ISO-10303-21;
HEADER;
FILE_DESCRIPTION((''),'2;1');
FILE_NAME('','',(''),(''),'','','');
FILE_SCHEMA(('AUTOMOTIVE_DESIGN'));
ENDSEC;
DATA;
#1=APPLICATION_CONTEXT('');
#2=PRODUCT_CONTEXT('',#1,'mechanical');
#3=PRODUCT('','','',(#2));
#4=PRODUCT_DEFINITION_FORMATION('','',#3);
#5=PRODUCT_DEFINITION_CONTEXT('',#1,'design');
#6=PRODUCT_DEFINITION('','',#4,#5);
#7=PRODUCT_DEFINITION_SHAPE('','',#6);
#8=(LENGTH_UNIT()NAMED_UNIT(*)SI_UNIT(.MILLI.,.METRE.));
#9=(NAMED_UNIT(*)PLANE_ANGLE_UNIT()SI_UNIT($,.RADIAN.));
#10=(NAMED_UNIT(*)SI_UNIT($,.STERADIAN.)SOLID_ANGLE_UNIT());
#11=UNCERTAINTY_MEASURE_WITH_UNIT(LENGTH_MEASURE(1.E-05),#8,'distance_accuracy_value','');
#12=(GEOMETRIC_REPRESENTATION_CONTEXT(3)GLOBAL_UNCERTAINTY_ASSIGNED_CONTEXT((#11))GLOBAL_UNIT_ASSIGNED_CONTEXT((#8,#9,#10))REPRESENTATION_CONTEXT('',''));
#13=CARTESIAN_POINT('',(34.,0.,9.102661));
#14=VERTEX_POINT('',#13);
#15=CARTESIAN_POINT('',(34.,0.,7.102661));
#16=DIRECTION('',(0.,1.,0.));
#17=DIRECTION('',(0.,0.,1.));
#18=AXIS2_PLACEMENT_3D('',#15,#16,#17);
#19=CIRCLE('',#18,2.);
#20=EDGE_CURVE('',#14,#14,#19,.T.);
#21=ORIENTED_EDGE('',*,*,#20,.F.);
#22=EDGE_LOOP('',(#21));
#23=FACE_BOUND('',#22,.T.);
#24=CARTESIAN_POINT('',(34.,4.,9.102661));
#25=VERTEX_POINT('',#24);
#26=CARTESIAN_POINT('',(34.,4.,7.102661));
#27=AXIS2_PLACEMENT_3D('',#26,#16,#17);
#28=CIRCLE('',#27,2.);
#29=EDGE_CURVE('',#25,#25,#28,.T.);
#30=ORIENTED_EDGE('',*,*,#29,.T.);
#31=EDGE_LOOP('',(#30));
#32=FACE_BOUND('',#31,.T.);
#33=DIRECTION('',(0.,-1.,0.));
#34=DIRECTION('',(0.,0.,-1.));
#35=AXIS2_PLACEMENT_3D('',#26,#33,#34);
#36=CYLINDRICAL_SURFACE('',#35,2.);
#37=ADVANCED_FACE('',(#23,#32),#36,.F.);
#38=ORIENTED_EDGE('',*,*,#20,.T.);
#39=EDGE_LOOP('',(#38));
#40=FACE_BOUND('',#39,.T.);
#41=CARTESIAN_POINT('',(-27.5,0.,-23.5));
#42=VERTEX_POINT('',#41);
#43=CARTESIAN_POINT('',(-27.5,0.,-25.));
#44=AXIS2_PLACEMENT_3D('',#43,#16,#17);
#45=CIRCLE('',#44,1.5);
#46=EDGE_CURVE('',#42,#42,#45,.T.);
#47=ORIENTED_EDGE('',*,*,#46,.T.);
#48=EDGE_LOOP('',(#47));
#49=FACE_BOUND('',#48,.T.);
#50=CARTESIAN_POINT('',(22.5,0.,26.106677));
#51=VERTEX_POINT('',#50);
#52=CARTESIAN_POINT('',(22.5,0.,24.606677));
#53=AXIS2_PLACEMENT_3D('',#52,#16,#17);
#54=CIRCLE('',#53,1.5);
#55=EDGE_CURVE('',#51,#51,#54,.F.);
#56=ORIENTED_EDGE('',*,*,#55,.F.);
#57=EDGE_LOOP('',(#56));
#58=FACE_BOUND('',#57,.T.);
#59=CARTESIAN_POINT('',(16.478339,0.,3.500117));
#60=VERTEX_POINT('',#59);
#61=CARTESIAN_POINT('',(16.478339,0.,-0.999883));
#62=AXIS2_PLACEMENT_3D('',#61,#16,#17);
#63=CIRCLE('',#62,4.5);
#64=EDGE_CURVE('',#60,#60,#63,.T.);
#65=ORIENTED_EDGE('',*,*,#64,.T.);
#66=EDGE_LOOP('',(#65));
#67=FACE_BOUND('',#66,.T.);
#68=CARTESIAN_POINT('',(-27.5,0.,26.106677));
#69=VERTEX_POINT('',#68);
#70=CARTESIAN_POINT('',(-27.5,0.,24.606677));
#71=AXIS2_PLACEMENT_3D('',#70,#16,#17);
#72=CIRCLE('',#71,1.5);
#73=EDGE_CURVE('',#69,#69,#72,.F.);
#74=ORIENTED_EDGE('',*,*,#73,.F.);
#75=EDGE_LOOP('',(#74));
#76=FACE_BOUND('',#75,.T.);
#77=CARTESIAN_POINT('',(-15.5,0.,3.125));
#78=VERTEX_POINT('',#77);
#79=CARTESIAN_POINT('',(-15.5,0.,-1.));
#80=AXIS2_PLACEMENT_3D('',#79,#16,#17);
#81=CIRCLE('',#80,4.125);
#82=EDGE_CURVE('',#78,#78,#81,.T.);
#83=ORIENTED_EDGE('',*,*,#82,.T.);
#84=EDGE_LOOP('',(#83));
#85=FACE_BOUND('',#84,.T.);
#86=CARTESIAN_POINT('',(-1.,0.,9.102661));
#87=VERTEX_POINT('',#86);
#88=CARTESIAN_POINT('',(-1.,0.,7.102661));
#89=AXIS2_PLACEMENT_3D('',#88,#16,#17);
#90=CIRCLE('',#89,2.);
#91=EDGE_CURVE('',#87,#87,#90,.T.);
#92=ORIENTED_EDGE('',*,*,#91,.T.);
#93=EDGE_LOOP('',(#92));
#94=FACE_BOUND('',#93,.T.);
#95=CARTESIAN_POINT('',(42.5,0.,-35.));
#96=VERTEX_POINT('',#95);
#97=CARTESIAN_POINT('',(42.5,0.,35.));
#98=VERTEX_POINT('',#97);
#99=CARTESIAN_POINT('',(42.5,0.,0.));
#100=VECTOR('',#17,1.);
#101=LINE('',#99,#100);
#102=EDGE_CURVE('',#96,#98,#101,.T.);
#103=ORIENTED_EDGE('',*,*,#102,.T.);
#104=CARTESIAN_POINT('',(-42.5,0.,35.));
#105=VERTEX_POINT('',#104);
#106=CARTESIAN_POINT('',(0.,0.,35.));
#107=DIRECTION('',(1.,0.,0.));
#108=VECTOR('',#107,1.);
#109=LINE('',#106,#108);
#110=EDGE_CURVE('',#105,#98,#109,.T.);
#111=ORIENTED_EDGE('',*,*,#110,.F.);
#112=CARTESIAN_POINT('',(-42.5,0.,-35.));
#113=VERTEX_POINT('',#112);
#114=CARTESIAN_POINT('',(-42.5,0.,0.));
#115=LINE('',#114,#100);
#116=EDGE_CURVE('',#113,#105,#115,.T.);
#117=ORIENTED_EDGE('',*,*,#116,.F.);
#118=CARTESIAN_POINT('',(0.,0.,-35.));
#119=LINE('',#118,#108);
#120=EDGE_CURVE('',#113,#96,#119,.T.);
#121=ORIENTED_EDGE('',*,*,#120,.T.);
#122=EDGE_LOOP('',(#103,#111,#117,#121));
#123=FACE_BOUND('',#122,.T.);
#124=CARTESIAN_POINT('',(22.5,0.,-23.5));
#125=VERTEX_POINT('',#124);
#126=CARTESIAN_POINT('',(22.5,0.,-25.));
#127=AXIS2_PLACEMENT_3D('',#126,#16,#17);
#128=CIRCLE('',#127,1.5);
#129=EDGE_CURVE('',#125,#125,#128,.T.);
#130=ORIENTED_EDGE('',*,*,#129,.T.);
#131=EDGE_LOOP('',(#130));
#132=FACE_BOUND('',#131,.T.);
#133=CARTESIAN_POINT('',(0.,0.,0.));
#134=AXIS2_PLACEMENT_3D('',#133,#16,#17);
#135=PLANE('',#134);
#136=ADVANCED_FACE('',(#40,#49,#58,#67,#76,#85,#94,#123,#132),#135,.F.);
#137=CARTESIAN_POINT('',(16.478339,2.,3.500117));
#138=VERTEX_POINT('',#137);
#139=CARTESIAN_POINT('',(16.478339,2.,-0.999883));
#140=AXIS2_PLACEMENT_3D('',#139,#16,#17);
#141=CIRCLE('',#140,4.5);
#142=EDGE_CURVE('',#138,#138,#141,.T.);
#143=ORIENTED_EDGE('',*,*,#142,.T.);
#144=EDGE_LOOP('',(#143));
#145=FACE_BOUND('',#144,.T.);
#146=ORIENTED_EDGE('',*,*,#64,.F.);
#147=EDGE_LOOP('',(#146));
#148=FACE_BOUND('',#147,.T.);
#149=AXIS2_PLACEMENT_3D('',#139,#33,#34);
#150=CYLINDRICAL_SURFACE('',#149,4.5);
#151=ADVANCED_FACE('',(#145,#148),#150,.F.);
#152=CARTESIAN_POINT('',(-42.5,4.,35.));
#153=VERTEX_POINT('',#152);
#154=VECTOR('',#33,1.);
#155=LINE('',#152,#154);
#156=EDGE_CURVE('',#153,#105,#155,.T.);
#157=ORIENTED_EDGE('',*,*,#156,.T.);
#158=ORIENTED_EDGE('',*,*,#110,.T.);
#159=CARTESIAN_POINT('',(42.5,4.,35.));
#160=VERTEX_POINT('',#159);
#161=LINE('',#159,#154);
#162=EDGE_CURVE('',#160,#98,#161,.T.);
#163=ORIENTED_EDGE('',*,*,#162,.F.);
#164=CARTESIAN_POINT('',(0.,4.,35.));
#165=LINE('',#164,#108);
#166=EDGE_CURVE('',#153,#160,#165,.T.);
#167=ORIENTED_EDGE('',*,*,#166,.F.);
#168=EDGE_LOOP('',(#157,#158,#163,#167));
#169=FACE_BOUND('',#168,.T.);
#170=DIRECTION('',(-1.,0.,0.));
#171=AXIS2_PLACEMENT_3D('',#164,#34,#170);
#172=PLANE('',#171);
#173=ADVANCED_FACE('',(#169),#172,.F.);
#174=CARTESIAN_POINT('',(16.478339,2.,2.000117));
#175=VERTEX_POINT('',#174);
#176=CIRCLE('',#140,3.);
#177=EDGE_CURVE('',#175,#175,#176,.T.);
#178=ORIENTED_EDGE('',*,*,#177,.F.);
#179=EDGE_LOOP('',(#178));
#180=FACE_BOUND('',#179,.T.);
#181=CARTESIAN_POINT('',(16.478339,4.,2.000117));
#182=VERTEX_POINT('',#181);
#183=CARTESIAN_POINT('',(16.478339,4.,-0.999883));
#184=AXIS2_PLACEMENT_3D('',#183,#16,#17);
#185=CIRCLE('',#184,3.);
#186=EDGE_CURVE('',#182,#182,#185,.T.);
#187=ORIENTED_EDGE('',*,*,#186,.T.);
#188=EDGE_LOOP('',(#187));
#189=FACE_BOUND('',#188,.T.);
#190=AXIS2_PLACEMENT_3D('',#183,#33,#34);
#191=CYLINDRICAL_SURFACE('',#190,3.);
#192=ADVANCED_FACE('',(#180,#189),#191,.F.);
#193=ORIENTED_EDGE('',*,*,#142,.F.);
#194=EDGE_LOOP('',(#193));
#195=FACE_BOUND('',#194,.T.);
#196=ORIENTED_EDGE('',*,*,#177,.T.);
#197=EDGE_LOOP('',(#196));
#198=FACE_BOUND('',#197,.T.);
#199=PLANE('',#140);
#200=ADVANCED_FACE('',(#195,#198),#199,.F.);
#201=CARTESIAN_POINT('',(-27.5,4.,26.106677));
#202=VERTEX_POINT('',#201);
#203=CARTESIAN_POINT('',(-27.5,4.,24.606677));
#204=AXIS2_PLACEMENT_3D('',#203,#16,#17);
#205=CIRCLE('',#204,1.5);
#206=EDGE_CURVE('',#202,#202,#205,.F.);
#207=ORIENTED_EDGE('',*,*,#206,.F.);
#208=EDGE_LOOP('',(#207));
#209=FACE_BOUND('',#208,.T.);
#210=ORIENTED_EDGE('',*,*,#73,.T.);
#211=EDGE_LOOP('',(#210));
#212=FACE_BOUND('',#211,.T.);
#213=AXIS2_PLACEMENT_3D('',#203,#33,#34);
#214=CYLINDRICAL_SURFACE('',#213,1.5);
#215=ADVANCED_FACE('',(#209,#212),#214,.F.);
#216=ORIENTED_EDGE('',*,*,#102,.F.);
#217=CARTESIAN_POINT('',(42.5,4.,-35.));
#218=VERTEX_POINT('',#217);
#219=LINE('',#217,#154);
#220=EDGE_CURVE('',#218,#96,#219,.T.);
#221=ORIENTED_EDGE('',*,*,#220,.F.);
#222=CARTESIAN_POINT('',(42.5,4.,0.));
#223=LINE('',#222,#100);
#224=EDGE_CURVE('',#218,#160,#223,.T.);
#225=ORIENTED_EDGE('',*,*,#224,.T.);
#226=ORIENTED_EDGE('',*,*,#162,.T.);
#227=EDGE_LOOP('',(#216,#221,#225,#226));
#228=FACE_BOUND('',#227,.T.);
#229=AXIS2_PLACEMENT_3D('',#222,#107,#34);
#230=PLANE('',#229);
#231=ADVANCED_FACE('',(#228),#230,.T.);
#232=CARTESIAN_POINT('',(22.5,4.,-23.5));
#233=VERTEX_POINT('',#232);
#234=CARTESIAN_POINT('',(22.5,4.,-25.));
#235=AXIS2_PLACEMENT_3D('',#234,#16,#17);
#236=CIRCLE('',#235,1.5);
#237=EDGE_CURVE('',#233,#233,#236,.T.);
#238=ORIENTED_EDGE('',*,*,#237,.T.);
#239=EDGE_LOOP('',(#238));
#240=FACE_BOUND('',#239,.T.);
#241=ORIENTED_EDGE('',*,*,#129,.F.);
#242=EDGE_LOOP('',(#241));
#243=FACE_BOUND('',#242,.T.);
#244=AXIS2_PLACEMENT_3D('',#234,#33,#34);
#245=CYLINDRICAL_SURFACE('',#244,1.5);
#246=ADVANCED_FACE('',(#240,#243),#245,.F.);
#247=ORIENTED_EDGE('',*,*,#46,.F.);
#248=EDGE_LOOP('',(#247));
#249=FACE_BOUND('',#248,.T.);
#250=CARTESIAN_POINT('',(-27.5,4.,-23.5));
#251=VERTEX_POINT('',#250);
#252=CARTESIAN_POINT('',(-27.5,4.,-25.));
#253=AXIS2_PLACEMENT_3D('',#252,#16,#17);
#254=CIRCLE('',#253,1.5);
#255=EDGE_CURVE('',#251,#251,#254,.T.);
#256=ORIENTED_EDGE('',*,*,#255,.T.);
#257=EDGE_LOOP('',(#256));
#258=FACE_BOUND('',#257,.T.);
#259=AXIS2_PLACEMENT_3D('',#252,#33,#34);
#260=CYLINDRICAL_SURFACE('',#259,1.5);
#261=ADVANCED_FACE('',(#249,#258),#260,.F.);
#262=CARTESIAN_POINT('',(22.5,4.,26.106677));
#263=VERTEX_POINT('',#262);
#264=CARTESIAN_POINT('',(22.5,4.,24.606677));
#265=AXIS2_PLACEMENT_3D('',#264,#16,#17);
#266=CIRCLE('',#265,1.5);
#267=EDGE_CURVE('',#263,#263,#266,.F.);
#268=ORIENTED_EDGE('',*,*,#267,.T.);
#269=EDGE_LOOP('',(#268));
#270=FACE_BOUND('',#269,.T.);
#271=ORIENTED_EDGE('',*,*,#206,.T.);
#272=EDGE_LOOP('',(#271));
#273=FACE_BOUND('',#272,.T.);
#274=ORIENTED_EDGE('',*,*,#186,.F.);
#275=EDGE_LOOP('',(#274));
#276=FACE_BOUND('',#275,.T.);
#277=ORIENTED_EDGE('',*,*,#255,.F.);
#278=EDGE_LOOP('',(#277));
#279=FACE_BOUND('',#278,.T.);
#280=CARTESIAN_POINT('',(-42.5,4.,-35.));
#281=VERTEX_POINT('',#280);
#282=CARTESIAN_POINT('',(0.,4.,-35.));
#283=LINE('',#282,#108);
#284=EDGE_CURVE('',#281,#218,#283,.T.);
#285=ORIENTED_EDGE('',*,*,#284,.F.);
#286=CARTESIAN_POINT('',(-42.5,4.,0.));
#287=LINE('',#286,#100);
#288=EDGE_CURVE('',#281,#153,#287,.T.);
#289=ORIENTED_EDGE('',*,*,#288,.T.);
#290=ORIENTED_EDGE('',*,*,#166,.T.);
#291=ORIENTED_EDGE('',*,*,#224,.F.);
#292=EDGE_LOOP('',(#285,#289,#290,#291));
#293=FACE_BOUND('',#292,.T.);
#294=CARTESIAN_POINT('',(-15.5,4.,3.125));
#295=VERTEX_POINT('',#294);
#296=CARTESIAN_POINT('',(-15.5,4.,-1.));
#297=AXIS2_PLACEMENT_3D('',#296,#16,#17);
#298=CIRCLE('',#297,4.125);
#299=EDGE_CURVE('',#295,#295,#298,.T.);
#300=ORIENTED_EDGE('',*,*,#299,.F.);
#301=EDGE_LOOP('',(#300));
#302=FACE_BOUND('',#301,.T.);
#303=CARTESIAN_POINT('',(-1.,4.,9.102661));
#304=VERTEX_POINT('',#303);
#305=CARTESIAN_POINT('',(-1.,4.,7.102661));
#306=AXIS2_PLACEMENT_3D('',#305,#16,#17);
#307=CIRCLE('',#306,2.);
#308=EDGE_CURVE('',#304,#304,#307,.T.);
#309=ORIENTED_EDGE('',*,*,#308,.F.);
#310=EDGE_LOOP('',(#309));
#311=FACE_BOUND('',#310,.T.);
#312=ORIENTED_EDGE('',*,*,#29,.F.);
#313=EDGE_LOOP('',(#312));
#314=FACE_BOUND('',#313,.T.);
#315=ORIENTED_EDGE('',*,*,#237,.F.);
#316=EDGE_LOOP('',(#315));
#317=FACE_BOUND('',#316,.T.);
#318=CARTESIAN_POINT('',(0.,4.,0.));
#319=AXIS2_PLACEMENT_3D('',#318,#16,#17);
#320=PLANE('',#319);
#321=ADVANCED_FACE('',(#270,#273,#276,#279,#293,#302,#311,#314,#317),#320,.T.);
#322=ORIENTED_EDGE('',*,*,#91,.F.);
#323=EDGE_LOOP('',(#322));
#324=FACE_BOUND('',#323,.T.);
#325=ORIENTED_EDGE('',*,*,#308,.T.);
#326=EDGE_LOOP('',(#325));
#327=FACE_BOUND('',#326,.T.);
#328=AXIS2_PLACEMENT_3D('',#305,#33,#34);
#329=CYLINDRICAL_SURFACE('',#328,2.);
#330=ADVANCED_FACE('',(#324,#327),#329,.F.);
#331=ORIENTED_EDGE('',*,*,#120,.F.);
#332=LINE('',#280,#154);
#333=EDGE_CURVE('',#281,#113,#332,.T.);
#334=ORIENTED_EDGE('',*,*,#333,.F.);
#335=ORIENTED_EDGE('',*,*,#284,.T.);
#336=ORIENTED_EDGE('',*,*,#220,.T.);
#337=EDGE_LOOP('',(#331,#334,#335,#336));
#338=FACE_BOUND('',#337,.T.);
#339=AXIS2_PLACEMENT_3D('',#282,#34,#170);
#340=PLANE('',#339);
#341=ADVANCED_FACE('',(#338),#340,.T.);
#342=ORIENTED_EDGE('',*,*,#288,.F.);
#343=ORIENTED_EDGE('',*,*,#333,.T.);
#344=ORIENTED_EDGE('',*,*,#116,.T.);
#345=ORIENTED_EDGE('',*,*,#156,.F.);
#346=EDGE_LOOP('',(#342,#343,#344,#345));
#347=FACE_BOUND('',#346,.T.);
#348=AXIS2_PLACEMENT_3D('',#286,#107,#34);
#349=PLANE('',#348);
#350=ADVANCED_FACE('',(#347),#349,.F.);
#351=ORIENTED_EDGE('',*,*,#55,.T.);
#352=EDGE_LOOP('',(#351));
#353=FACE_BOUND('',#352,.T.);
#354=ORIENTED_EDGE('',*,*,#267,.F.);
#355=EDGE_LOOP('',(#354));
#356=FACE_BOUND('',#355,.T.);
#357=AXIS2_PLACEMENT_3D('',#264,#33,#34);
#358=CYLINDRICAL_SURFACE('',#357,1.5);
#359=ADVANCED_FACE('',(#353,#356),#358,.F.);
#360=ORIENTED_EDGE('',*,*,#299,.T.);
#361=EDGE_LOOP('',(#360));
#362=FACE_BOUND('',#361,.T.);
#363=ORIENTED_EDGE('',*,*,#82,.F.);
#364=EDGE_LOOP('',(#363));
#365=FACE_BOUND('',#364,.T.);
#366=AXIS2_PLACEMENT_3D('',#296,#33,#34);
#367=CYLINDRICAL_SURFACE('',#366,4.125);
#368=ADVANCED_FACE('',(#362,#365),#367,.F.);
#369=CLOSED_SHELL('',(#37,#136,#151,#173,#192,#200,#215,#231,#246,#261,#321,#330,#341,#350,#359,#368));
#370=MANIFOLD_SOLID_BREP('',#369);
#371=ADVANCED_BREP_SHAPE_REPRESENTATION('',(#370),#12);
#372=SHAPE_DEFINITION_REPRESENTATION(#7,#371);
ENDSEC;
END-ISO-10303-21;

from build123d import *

# Parameters (mm, degrees)
SKETCH1_W           = 85
SKETCH1_H           = 70
SKETCH1_R           = 1.5
SKETCH1_R_2         = 2
SKETCH1_R_3         = 4.125
SKETCH1_R_4         = 3
BOSS_EXTRUDE4_DEPTH = 4
SKETCH1_7_R         = 4.5
CUT_EXTRUDE2_DEPTH  = 2


with BuildPart() as part:
    # Sketch1 → Boss-Extrude4 (new body)
    with BuildSketch(Plane(origin=(0, 0, 0), x_dir=(1, 0, 0), z_dir=(0, 1, 0))):
        Rectangle(SKETCH1_W, SKETCH1_H)
        with Locations((-27.5, 25)):
            Circle(SKETCH1_R, mode=Mode.SUBTRACT)
        with Locations((22.5, 25)):
            Circle(SKETCH1_R, mode=Mode.SUBTRACT)
        with Locations((22.5, -24.60667729)):
            Circle(SKETCH1_R, mode=Mode.SUBTRACT)
        with Locations((-27.5, -24.60667729)):
            Circle(SKETCH1_R, mode=Mode.SUBTRACT)
        with Locations((-1, -7.102660735)):
            Circle(SKETCH1_R_2, mode=Mode.SUBTRACT)
        with Locations((34, -7.102660735)):
            Circle(SKETCH1_R_2, mode=Mode.SUBTRACT)
        with Locations((-15.5, 1)):
            Circle(SKETCH1_R_3, mode=Mode.SUBTRACT)
        with Locations((16.478339488, 0.999882702)):
            Circle(SKETCH1_R_4, mode=Mode.SUBTRACT)
    extrude(amount=BOSS_EXTRUDE4_DEPTH)

    # Sketch1<7> → Cut-Extrude2 (cut)
    with BuildSketch(Plane(origin=(0, 0, 0), x_dir=(1, 0, 0), z_dir=(0, 1, 0))):
        with Locations((16.478339488, 0.999882702)):
            Circle(SKETCH1_7_R)
    extrude(amount=CUT_EXTRUDE2_DEPTH, mode=Mode.SUBTRACT)


solid = part.part
